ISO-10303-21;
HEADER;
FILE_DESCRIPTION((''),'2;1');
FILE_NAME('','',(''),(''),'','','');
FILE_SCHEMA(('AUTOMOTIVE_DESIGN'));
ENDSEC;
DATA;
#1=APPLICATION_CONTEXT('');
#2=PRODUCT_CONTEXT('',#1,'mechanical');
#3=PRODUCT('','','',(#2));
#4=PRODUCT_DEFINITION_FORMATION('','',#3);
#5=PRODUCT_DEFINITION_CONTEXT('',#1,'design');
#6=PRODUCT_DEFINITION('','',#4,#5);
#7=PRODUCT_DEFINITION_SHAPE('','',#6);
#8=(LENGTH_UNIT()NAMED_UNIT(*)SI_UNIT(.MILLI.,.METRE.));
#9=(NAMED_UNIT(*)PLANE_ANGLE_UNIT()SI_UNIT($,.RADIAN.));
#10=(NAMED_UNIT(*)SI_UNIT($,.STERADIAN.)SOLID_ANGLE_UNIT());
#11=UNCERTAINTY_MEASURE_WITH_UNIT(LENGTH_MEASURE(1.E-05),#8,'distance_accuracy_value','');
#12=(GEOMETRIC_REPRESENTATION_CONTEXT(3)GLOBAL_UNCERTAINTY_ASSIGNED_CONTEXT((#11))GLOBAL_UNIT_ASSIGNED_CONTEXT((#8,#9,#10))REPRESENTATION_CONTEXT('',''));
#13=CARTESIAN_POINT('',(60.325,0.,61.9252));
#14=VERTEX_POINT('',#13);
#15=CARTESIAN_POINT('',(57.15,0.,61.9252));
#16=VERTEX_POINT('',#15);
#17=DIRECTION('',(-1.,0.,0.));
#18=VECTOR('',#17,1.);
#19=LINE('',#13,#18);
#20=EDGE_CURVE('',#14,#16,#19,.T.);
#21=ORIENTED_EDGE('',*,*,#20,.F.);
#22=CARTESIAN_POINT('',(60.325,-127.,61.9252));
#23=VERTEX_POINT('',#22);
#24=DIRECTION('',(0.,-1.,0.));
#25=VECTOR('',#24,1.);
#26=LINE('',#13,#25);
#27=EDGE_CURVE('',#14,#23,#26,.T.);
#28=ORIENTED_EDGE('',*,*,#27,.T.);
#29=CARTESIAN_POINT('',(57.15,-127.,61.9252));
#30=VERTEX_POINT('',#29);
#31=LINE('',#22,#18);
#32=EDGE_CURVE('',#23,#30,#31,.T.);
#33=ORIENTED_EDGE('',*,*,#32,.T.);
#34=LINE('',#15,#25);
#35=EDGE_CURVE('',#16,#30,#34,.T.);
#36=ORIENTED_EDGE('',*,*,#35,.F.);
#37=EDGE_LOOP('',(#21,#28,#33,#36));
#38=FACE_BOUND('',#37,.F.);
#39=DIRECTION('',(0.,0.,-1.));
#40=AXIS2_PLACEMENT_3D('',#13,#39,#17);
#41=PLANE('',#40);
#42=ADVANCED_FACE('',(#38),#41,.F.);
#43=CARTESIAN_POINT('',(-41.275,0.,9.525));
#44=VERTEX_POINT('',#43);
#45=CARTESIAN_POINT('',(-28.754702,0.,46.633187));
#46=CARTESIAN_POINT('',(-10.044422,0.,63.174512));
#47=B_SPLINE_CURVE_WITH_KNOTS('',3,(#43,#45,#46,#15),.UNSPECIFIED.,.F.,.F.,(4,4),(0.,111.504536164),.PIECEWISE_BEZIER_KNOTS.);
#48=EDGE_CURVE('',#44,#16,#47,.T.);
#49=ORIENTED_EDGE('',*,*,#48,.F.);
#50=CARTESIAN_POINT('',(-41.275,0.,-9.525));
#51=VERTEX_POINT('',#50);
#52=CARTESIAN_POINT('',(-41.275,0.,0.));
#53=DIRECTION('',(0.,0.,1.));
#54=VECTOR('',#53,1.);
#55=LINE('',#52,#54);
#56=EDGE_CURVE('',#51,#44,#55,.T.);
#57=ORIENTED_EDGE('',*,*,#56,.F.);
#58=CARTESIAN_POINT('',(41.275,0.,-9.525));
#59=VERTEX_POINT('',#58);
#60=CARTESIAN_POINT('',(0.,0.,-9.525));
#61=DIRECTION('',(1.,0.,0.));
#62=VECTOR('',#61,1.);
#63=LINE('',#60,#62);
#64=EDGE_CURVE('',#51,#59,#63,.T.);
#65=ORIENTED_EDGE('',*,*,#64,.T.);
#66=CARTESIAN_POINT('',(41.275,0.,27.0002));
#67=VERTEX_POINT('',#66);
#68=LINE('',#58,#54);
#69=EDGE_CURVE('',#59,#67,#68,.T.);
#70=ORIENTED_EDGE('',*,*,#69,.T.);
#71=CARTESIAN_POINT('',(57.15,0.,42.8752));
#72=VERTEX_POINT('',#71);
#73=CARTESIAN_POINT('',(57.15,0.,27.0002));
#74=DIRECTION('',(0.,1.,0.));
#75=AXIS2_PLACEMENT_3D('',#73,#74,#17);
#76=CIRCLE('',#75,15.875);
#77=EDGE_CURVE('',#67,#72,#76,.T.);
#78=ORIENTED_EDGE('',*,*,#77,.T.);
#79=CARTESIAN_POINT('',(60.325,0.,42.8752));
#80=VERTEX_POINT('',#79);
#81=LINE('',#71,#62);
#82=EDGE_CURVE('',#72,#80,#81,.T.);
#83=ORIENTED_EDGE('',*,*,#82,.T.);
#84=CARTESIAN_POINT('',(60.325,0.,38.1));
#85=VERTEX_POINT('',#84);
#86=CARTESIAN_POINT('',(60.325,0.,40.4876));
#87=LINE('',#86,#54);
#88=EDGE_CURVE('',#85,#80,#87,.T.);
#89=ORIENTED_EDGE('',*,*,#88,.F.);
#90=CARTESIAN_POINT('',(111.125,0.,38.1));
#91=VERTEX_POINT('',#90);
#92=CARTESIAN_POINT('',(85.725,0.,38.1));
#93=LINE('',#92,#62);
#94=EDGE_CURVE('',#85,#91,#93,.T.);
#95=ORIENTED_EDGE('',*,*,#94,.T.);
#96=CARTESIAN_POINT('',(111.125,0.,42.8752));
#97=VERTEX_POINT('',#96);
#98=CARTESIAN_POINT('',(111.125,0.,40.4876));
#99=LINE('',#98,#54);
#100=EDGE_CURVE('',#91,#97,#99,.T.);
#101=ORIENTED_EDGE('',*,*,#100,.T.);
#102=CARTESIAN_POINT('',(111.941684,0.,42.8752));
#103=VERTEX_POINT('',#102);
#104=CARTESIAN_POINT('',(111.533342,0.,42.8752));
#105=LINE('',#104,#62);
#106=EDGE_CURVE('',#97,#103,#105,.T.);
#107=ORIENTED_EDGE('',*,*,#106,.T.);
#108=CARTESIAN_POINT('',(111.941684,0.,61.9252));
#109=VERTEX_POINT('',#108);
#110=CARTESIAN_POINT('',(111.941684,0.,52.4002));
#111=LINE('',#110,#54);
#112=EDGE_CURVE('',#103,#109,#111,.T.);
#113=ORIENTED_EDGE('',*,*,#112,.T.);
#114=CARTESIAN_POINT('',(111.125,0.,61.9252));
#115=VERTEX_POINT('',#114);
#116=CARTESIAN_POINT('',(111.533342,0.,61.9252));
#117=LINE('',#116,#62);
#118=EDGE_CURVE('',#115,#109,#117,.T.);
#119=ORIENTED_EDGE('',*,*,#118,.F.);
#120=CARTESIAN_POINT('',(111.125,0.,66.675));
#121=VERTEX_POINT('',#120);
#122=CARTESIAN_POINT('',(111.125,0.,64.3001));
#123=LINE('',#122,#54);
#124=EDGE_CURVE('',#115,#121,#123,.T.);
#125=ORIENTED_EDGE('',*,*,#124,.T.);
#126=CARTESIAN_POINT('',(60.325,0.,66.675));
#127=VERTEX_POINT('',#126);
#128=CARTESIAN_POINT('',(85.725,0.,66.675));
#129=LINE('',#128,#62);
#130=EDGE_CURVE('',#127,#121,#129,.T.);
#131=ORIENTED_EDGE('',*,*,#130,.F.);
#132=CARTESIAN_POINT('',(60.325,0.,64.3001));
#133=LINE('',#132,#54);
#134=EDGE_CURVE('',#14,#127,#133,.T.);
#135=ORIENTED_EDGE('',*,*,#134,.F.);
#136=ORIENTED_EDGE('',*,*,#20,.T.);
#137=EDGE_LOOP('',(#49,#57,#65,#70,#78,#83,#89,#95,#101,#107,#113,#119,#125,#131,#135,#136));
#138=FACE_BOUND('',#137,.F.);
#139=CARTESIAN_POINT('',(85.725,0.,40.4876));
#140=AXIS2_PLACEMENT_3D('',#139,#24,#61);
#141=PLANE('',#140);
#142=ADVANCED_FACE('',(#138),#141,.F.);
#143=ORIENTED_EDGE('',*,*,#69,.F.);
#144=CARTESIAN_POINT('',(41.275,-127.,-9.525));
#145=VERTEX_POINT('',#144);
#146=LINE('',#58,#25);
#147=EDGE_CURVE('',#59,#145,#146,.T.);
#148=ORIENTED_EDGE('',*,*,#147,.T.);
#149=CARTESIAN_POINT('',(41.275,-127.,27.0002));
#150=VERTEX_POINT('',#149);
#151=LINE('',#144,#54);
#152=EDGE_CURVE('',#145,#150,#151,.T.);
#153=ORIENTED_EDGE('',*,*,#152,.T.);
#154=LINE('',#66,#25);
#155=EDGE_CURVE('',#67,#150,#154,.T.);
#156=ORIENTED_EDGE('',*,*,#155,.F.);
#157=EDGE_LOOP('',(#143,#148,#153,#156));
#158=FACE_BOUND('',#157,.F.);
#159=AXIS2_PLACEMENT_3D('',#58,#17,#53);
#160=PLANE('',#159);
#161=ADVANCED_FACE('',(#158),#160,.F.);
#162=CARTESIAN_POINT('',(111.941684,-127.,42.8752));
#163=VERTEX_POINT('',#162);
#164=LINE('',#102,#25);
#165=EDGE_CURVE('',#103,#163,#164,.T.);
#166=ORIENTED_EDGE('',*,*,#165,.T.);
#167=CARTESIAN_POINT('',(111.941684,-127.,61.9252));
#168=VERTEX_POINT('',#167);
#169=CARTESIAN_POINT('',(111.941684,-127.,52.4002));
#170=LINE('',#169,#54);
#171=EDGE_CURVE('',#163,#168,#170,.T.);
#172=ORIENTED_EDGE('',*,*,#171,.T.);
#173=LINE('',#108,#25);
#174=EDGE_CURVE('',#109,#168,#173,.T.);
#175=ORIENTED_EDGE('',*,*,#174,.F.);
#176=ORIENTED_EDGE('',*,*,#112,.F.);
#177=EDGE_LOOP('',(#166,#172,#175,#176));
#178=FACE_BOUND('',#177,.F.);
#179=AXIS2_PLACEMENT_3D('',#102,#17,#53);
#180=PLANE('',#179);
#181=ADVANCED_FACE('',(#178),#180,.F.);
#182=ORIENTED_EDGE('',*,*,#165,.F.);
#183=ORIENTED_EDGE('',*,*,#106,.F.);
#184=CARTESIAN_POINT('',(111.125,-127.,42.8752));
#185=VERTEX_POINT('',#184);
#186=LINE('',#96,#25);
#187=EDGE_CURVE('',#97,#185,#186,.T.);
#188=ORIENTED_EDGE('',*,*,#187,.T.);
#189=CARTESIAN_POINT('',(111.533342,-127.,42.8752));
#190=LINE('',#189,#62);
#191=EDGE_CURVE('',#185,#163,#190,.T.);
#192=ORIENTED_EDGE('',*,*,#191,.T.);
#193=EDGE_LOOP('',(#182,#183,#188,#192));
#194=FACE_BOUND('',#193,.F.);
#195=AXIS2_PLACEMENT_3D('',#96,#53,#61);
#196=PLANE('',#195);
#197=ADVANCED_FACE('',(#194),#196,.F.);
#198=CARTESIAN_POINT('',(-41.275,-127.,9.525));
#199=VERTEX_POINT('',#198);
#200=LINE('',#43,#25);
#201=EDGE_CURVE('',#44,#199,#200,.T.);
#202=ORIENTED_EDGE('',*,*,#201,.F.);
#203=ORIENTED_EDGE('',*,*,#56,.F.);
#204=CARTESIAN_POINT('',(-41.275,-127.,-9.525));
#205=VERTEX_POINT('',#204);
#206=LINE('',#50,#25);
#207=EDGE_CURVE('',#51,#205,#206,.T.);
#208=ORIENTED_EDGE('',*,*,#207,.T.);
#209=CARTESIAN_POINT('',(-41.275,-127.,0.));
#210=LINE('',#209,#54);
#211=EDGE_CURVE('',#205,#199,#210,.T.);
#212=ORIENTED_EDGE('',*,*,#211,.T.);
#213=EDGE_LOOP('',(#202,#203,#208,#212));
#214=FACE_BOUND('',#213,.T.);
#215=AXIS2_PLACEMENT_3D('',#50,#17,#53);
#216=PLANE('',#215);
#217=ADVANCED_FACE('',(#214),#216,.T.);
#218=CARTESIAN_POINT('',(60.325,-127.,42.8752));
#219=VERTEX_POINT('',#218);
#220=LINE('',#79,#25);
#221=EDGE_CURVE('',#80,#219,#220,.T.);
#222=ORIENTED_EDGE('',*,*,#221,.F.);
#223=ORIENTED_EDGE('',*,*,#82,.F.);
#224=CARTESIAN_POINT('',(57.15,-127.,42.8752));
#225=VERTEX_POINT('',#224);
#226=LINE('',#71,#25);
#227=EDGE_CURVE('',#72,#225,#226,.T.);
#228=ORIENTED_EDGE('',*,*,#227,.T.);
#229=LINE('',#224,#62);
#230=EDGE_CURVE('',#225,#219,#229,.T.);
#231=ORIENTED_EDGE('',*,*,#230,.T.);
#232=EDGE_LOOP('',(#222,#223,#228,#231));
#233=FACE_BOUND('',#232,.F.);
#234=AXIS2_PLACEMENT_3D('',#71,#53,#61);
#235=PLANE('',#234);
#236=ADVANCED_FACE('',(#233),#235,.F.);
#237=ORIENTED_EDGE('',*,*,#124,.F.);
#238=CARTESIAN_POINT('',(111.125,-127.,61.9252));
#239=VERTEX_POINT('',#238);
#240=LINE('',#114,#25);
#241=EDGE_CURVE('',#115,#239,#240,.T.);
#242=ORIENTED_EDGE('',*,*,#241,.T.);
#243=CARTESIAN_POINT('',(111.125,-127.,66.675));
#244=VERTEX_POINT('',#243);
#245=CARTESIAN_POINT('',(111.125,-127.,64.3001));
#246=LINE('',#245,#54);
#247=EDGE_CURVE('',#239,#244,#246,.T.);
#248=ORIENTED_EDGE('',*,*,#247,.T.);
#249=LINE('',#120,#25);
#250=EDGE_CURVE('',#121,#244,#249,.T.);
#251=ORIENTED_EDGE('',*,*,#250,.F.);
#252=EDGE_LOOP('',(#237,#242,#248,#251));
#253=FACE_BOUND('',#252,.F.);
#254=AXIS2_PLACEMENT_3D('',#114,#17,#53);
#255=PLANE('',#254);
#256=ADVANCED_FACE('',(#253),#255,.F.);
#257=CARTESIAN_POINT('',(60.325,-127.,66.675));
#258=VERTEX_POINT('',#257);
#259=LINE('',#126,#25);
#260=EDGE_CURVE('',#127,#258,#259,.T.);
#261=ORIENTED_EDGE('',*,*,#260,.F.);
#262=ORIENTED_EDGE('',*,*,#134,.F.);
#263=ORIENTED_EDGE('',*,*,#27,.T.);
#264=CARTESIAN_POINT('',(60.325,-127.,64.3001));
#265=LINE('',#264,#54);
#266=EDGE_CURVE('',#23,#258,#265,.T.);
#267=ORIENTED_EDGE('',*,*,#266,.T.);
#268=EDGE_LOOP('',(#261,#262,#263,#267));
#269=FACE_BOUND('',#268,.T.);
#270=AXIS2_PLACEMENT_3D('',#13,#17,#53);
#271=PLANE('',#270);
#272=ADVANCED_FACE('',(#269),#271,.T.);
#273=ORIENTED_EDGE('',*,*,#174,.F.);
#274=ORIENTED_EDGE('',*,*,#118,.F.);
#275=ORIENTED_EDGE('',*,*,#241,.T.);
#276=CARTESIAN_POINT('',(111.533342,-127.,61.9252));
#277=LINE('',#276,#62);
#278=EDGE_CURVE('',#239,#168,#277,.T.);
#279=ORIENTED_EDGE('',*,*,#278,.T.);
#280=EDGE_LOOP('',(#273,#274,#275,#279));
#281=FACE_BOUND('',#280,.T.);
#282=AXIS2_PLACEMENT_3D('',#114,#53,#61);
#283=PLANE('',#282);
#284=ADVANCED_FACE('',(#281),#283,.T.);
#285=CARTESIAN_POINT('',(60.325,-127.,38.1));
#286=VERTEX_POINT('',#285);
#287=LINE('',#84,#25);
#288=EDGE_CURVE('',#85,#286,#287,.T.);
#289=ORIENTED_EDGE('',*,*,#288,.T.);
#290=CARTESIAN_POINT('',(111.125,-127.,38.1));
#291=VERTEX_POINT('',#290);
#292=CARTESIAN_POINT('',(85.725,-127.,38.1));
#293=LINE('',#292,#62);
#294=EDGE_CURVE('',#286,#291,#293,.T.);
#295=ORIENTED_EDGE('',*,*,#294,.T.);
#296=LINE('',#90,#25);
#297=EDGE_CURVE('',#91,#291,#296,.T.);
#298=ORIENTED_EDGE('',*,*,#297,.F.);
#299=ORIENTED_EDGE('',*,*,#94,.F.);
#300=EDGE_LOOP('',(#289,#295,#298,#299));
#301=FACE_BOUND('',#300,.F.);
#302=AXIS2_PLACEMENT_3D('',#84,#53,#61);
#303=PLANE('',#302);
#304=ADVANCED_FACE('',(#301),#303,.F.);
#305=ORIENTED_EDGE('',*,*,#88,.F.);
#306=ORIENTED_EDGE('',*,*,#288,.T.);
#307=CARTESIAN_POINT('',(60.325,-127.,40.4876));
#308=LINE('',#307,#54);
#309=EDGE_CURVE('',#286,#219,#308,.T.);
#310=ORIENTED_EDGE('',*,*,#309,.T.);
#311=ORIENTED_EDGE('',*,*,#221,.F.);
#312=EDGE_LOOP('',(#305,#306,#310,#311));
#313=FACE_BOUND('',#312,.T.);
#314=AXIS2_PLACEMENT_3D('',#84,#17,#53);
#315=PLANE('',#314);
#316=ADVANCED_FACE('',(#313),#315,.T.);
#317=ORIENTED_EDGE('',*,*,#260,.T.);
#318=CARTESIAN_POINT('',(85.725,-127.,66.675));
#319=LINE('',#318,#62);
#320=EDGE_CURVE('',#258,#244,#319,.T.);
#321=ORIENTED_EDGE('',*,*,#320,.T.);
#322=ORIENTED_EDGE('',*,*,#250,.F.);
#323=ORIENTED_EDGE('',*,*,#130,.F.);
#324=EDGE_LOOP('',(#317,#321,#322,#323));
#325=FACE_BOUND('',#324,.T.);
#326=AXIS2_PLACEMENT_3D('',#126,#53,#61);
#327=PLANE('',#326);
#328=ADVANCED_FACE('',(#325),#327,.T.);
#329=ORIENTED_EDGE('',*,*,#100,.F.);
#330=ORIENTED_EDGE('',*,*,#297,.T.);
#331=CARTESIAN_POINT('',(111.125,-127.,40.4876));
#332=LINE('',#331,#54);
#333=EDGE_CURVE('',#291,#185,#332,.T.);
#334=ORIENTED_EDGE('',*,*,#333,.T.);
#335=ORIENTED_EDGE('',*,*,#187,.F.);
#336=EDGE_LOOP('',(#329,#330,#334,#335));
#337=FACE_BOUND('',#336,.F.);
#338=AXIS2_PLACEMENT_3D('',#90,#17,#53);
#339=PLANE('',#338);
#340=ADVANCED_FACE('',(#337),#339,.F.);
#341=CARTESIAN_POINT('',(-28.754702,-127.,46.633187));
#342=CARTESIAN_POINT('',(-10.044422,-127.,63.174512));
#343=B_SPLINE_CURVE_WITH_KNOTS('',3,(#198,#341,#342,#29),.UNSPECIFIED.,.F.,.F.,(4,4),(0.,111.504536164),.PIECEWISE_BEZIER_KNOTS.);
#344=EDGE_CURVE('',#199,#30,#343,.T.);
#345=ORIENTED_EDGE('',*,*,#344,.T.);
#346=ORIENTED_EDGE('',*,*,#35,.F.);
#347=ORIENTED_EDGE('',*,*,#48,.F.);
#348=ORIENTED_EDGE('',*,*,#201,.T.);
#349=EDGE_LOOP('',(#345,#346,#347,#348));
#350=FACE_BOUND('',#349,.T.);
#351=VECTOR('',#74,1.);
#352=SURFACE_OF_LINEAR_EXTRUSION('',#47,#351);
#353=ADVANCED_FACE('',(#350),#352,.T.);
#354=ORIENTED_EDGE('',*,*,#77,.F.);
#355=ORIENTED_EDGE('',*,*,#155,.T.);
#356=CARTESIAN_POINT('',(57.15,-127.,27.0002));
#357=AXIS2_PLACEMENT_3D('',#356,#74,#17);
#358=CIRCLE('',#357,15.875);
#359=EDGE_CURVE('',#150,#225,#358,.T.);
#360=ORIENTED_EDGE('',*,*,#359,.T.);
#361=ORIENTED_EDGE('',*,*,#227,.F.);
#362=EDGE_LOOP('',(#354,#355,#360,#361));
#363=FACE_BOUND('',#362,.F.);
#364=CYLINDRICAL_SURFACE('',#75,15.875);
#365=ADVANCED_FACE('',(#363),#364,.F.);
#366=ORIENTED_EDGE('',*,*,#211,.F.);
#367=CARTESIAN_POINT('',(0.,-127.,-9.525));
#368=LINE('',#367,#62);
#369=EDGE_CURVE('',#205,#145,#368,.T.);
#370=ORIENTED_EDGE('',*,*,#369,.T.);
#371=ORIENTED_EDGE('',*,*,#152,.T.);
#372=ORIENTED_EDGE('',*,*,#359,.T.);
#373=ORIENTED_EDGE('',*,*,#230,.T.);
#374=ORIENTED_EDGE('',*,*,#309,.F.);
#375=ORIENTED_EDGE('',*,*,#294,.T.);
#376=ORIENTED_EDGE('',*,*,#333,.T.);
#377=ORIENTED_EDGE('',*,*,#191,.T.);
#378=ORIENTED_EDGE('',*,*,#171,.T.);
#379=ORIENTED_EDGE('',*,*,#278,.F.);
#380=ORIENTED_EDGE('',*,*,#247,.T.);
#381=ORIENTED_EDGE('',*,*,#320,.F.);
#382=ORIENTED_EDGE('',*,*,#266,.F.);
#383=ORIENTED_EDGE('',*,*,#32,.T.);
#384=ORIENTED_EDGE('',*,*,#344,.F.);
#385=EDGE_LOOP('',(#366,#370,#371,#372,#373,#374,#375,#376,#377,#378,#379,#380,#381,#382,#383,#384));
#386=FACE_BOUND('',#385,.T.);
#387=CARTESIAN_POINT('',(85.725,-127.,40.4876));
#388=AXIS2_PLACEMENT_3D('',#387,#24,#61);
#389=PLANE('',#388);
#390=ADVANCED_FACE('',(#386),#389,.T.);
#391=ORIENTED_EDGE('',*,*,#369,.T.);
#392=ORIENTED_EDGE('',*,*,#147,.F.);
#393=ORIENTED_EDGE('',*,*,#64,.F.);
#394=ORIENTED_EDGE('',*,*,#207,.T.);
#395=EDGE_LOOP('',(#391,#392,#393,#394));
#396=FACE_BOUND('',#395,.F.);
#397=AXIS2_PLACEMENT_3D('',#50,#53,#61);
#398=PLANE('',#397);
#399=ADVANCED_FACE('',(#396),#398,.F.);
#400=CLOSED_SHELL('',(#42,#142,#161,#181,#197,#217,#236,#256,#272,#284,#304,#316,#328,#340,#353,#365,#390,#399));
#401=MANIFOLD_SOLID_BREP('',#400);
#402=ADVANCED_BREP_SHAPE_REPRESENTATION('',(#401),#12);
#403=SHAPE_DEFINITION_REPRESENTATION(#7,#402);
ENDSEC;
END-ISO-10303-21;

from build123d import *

# Parameters (mm, degrees)
F0_W     = 50.8
F0_H     = 4.7752
F0_H_2   = 4.7498
F0_W_2   = 0.8166841354
F0_H_3   = 19.05
F0_W_3   = 82.55
F1_DEPTH = 127


with BuildPart() as f1:
    # F0 (on Front) → F1 (new body)
    with BuildSketch(Plane.XZ):
        with Locations((85.725, 40.4876)):
            Rectangle(F0_W, F0_H)
        with Locations((85.725, 64.3001)):
            Rectangle(F0_W, F0_H_2)
        with Locations((111.5333420677, 52.4002)):
            Rectangle(F0_W_2, F0_H_3)
        with BuildLine():
            add(Edge.make_bspline(
                [(-41.275, 9.525), (-28.754702283, 46.6331869148), (-10.0444221635, 63.1745123066), (57.15, 61.9252)],
                knots=[0, 0, 0, 0, 111.5045361635, 111.5045361635, 111.5045361635, 111.5045361635], degree=3))
            Line((-41.275, 9.525), (41.275, 9.525))
            Line((41.275, 9.525), (41.275, 27.0002))
            ThreePointArc((41.275, 27.0002), (45.9246798487, 38.2255201513), (57.15, 42.8752))
            Line((57.15, 42.8752), (60.325, 42.8752))
            Line((60.325, 42.8752), (60.325, 61.9252))
            Line((60.325, 61.9252), (57.15, 61.9252))
        make_face()
        with Locations((85.725, 52.4002)):
            Rectangle(F0_W, F0_H_3)
        Rectangle(F0_W_3, F0_H_3)
    extrude(amount=F1_DEPTH)


solid = f1.part
